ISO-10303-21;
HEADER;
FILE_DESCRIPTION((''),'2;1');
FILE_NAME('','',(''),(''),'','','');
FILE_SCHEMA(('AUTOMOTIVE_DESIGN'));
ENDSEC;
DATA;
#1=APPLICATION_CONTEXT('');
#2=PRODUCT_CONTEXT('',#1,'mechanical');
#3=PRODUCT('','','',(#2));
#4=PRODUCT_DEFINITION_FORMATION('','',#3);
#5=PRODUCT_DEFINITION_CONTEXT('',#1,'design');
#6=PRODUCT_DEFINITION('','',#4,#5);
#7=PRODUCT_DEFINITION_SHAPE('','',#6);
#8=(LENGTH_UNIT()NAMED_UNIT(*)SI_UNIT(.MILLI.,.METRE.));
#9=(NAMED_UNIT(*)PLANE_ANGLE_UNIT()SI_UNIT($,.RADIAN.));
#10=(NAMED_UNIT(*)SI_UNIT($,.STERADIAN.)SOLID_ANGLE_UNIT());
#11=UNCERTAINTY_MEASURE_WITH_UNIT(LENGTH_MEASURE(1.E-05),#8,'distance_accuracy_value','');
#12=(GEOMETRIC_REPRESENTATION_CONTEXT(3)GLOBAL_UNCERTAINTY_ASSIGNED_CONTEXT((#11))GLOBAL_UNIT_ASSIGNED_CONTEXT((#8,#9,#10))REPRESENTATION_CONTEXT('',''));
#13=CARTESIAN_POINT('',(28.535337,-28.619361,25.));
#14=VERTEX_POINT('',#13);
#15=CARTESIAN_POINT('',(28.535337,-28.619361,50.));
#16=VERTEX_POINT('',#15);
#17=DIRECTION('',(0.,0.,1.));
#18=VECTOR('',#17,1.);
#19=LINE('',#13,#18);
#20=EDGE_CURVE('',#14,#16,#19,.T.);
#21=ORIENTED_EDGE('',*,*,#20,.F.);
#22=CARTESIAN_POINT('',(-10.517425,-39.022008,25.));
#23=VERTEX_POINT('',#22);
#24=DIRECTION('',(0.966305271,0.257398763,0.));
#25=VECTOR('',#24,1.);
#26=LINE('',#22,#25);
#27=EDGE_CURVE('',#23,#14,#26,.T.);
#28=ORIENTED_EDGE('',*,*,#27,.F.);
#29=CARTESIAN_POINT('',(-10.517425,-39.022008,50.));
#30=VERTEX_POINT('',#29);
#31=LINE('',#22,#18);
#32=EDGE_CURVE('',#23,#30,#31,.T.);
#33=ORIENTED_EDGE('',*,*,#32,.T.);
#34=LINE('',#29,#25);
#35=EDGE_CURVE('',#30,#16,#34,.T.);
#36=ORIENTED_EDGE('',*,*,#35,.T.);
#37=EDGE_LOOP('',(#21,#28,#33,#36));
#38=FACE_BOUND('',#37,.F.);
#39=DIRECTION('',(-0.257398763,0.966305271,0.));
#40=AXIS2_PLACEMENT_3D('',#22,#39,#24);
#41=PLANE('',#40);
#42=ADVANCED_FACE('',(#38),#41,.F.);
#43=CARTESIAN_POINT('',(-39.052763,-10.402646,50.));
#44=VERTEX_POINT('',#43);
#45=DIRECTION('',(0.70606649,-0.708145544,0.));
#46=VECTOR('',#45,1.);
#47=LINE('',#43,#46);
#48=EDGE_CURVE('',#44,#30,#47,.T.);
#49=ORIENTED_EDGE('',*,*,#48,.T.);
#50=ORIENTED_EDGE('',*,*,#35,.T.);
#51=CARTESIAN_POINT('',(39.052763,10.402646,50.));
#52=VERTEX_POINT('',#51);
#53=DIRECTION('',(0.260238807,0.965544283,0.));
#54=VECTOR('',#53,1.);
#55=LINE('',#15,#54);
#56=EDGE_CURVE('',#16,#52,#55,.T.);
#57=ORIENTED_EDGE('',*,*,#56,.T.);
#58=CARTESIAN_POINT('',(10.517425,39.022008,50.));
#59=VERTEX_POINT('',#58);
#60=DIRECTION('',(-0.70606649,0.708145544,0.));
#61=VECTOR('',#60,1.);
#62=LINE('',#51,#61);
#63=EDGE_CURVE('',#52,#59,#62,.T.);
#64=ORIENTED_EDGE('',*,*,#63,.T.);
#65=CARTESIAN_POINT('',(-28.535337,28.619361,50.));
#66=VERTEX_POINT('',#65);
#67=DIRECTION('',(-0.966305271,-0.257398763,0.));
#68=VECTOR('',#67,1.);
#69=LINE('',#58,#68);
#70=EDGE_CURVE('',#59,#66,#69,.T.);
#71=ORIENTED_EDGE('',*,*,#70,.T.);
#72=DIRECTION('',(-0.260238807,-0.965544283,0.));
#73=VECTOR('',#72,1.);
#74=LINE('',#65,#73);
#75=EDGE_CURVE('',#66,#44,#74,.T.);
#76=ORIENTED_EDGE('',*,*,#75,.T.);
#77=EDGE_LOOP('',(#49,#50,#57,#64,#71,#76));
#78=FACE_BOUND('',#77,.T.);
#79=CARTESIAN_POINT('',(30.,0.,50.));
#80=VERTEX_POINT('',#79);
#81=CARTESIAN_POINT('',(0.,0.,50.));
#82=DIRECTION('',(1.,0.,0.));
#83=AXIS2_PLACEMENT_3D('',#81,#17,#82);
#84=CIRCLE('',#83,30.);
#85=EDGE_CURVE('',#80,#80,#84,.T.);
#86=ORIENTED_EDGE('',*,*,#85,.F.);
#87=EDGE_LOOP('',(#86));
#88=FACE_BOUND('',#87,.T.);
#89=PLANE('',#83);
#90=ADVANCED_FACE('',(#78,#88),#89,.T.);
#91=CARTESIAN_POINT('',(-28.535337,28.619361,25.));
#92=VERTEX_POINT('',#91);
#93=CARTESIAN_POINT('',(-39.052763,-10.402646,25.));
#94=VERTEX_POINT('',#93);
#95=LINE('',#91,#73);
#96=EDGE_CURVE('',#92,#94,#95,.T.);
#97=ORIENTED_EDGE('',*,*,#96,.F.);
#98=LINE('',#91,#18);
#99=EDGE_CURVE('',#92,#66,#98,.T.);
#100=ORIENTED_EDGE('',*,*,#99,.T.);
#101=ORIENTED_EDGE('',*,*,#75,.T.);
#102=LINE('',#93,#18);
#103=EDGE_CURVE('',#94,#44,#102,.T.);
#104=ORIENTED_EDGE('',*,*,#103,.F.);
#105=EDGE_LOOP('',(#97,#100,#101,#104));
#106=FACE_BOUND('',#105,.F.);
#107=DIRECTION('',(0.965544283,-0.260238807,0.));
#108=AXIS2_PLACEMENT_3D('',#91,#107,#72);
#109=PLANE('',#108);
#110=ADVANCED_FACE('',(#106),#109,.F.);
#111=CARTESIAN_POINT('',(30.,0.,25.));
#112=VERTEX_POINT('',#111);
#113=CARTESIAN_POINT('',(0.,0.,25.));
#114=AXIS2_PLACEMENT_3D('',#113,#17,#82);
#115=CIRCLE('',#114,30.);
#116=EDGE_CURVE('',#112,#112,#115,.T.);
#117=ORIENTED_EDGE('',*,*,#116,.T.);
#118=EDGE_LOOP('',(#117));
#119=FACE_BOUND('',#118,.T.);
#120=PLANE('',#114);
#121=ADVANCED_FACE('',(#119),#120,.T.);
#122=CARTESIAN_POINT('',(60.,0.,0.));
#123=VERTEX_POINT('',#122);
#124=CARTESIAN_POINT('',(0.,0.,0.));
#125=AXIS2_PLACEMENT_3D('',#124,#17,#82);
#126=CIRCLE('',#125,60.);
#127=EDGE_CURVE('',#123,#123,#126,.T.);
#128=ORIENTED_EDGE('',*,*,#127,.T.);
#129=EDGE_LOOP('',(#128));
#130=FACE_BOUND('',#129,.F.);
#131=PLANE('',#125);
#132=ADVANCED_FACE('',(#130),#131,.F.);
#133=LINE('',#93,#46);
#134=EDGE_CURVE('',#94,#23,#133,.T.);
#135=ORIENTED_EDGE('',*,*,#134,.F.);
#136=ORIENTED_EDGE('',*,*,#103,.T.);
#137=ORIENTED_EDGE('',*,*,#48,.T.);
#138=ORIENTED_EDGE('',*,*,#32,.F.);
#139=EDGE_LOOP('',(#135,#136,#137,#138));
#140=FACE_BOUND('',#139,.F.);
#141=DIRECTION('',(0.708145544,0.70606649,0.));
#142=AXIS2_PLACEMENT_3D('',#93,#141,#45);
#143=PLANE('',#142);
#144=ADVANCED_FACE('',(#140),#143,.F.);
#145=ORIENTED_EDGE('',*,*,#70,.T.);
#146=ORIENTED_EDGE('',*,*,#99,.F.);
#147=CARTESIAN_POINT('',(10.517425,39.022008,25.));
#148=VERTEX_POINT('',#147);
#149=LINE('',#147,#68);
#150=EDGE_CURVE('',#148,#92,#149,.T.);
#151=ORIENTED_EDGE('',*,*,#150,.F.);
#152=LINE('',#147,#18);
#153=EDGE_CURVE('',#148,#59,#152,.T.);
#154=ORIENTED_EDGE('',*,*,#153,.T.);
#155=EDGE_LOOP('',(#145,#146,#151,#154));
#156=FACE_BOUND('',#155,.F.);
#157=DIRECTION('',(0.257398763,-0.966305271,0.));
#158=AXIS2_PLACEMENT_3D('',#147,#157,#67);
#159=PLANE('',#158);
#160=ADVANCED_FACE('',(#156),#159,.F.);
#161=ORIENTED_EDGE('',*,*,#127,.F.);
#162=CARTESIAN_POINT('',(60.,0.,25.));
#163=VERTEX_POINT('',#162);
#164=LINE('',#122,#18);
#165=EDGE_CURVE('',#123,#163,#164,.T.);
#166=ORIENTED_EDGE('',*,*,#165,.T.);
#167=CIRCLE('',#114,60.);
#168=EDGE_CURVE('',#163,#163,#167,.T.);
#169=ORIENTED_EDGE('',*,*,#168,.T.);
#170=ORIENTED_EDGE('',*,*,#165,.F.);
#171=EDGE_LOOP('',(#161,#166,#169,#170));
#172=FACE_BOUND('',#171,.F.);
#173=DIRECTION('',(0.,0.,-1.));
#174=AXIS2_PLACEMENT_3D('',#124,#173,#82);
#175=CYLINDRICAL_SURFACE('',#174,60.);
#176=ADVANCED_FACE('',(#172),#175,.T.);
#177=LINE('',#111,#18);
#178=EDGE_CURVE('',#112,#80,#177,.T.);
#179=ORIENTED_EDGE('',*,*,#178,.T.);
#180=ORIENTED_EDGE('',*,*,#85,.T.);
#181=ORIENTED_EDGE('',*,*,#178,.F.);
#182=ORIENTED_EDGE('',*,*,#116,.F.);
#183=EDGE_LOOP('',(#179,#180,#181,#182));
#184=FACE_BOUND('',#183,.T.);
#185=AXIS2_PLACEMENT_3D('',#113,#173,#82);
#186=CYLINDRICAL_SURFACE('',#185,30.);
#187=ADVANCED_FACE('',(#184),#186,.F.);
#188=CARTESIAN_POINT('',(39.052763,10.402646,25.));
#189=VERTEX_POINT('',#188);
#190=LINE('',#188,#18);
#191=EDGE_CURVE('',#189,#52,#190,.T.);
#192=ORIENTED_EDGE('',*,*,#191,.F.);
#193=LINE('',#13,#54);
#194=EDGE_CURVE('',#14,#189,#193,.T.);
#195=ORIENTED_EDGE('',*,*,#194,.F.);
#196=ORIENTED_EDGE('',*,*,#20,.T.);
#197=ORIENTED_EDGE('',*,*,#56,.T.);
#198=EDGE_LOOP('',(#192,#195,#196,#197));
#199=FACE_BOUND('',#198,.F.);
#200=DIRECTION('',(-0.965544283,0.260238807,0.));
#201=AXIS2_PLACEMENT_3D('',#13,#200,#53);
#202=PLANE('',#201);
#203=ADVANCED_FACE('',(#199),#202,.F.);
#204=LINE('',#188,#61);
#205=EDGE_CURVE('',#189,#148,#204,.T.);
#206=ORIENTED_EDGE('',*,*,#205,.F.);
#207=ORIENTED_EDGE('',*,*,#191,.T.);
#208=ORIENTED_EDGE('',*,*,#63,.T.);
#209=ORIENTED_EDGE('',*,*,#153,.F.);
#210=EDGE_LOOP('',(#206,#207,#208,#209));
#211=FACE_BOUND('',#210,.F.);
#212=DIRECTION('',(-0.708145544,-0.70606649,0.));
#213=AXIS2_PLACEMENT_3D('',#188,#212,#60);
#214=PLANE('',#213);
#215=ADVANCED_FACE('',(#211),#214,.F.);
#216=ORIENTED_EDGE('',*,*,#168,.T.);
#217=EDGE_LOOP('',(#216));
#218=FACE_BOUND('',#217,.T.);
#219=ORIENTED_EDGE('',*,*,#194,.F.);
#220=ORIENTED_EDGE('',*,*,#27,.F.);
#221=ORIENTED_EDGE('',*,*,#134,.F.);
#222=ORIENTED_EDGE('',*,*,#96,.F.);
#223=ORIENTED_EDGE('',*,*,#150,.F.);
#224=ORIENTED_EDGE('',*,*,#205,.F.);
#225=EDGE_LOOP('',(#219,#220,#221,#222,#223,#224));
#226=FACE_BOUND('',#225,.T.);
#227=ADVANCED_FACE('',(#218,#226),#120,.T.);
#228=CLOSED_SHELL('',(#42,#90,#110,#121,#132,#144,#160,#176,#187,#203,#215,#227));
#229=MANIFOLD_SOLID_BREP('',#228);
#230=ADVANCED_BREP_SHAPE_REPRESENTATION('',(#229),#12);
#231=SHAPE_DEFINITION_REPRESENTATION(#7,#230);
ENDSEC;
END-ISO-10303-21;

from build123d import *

# Parameters (mm, degrees)
F0_R     = 60
F1_DEPTH = 25
F2_R     = 30
F3_DEPTH = 25


with BuildPart() as f1:
    # F0 (on Top) → F1 (new body)
    with BuildSketch(Plane.XY):
        Circle(F0_R)
    extrude(amount=F1_DEPTH)

    # F2 (on face) → F3 (join)
    with BuildSketch(Plane.XY.offset(25)):
        Polygon((10.517425, 39.022008), (-28.535337, 28.619361), (-39.052763, -10.402646), (-10.517425, -39.022008), (28.535337, -28.619361), (39.052763, 10.402646), align=None)
        Circle(F2_R, mode=Mode.SUBTRACT)
    extrude(amount=F3_DEPTH)


solid = f1.part
